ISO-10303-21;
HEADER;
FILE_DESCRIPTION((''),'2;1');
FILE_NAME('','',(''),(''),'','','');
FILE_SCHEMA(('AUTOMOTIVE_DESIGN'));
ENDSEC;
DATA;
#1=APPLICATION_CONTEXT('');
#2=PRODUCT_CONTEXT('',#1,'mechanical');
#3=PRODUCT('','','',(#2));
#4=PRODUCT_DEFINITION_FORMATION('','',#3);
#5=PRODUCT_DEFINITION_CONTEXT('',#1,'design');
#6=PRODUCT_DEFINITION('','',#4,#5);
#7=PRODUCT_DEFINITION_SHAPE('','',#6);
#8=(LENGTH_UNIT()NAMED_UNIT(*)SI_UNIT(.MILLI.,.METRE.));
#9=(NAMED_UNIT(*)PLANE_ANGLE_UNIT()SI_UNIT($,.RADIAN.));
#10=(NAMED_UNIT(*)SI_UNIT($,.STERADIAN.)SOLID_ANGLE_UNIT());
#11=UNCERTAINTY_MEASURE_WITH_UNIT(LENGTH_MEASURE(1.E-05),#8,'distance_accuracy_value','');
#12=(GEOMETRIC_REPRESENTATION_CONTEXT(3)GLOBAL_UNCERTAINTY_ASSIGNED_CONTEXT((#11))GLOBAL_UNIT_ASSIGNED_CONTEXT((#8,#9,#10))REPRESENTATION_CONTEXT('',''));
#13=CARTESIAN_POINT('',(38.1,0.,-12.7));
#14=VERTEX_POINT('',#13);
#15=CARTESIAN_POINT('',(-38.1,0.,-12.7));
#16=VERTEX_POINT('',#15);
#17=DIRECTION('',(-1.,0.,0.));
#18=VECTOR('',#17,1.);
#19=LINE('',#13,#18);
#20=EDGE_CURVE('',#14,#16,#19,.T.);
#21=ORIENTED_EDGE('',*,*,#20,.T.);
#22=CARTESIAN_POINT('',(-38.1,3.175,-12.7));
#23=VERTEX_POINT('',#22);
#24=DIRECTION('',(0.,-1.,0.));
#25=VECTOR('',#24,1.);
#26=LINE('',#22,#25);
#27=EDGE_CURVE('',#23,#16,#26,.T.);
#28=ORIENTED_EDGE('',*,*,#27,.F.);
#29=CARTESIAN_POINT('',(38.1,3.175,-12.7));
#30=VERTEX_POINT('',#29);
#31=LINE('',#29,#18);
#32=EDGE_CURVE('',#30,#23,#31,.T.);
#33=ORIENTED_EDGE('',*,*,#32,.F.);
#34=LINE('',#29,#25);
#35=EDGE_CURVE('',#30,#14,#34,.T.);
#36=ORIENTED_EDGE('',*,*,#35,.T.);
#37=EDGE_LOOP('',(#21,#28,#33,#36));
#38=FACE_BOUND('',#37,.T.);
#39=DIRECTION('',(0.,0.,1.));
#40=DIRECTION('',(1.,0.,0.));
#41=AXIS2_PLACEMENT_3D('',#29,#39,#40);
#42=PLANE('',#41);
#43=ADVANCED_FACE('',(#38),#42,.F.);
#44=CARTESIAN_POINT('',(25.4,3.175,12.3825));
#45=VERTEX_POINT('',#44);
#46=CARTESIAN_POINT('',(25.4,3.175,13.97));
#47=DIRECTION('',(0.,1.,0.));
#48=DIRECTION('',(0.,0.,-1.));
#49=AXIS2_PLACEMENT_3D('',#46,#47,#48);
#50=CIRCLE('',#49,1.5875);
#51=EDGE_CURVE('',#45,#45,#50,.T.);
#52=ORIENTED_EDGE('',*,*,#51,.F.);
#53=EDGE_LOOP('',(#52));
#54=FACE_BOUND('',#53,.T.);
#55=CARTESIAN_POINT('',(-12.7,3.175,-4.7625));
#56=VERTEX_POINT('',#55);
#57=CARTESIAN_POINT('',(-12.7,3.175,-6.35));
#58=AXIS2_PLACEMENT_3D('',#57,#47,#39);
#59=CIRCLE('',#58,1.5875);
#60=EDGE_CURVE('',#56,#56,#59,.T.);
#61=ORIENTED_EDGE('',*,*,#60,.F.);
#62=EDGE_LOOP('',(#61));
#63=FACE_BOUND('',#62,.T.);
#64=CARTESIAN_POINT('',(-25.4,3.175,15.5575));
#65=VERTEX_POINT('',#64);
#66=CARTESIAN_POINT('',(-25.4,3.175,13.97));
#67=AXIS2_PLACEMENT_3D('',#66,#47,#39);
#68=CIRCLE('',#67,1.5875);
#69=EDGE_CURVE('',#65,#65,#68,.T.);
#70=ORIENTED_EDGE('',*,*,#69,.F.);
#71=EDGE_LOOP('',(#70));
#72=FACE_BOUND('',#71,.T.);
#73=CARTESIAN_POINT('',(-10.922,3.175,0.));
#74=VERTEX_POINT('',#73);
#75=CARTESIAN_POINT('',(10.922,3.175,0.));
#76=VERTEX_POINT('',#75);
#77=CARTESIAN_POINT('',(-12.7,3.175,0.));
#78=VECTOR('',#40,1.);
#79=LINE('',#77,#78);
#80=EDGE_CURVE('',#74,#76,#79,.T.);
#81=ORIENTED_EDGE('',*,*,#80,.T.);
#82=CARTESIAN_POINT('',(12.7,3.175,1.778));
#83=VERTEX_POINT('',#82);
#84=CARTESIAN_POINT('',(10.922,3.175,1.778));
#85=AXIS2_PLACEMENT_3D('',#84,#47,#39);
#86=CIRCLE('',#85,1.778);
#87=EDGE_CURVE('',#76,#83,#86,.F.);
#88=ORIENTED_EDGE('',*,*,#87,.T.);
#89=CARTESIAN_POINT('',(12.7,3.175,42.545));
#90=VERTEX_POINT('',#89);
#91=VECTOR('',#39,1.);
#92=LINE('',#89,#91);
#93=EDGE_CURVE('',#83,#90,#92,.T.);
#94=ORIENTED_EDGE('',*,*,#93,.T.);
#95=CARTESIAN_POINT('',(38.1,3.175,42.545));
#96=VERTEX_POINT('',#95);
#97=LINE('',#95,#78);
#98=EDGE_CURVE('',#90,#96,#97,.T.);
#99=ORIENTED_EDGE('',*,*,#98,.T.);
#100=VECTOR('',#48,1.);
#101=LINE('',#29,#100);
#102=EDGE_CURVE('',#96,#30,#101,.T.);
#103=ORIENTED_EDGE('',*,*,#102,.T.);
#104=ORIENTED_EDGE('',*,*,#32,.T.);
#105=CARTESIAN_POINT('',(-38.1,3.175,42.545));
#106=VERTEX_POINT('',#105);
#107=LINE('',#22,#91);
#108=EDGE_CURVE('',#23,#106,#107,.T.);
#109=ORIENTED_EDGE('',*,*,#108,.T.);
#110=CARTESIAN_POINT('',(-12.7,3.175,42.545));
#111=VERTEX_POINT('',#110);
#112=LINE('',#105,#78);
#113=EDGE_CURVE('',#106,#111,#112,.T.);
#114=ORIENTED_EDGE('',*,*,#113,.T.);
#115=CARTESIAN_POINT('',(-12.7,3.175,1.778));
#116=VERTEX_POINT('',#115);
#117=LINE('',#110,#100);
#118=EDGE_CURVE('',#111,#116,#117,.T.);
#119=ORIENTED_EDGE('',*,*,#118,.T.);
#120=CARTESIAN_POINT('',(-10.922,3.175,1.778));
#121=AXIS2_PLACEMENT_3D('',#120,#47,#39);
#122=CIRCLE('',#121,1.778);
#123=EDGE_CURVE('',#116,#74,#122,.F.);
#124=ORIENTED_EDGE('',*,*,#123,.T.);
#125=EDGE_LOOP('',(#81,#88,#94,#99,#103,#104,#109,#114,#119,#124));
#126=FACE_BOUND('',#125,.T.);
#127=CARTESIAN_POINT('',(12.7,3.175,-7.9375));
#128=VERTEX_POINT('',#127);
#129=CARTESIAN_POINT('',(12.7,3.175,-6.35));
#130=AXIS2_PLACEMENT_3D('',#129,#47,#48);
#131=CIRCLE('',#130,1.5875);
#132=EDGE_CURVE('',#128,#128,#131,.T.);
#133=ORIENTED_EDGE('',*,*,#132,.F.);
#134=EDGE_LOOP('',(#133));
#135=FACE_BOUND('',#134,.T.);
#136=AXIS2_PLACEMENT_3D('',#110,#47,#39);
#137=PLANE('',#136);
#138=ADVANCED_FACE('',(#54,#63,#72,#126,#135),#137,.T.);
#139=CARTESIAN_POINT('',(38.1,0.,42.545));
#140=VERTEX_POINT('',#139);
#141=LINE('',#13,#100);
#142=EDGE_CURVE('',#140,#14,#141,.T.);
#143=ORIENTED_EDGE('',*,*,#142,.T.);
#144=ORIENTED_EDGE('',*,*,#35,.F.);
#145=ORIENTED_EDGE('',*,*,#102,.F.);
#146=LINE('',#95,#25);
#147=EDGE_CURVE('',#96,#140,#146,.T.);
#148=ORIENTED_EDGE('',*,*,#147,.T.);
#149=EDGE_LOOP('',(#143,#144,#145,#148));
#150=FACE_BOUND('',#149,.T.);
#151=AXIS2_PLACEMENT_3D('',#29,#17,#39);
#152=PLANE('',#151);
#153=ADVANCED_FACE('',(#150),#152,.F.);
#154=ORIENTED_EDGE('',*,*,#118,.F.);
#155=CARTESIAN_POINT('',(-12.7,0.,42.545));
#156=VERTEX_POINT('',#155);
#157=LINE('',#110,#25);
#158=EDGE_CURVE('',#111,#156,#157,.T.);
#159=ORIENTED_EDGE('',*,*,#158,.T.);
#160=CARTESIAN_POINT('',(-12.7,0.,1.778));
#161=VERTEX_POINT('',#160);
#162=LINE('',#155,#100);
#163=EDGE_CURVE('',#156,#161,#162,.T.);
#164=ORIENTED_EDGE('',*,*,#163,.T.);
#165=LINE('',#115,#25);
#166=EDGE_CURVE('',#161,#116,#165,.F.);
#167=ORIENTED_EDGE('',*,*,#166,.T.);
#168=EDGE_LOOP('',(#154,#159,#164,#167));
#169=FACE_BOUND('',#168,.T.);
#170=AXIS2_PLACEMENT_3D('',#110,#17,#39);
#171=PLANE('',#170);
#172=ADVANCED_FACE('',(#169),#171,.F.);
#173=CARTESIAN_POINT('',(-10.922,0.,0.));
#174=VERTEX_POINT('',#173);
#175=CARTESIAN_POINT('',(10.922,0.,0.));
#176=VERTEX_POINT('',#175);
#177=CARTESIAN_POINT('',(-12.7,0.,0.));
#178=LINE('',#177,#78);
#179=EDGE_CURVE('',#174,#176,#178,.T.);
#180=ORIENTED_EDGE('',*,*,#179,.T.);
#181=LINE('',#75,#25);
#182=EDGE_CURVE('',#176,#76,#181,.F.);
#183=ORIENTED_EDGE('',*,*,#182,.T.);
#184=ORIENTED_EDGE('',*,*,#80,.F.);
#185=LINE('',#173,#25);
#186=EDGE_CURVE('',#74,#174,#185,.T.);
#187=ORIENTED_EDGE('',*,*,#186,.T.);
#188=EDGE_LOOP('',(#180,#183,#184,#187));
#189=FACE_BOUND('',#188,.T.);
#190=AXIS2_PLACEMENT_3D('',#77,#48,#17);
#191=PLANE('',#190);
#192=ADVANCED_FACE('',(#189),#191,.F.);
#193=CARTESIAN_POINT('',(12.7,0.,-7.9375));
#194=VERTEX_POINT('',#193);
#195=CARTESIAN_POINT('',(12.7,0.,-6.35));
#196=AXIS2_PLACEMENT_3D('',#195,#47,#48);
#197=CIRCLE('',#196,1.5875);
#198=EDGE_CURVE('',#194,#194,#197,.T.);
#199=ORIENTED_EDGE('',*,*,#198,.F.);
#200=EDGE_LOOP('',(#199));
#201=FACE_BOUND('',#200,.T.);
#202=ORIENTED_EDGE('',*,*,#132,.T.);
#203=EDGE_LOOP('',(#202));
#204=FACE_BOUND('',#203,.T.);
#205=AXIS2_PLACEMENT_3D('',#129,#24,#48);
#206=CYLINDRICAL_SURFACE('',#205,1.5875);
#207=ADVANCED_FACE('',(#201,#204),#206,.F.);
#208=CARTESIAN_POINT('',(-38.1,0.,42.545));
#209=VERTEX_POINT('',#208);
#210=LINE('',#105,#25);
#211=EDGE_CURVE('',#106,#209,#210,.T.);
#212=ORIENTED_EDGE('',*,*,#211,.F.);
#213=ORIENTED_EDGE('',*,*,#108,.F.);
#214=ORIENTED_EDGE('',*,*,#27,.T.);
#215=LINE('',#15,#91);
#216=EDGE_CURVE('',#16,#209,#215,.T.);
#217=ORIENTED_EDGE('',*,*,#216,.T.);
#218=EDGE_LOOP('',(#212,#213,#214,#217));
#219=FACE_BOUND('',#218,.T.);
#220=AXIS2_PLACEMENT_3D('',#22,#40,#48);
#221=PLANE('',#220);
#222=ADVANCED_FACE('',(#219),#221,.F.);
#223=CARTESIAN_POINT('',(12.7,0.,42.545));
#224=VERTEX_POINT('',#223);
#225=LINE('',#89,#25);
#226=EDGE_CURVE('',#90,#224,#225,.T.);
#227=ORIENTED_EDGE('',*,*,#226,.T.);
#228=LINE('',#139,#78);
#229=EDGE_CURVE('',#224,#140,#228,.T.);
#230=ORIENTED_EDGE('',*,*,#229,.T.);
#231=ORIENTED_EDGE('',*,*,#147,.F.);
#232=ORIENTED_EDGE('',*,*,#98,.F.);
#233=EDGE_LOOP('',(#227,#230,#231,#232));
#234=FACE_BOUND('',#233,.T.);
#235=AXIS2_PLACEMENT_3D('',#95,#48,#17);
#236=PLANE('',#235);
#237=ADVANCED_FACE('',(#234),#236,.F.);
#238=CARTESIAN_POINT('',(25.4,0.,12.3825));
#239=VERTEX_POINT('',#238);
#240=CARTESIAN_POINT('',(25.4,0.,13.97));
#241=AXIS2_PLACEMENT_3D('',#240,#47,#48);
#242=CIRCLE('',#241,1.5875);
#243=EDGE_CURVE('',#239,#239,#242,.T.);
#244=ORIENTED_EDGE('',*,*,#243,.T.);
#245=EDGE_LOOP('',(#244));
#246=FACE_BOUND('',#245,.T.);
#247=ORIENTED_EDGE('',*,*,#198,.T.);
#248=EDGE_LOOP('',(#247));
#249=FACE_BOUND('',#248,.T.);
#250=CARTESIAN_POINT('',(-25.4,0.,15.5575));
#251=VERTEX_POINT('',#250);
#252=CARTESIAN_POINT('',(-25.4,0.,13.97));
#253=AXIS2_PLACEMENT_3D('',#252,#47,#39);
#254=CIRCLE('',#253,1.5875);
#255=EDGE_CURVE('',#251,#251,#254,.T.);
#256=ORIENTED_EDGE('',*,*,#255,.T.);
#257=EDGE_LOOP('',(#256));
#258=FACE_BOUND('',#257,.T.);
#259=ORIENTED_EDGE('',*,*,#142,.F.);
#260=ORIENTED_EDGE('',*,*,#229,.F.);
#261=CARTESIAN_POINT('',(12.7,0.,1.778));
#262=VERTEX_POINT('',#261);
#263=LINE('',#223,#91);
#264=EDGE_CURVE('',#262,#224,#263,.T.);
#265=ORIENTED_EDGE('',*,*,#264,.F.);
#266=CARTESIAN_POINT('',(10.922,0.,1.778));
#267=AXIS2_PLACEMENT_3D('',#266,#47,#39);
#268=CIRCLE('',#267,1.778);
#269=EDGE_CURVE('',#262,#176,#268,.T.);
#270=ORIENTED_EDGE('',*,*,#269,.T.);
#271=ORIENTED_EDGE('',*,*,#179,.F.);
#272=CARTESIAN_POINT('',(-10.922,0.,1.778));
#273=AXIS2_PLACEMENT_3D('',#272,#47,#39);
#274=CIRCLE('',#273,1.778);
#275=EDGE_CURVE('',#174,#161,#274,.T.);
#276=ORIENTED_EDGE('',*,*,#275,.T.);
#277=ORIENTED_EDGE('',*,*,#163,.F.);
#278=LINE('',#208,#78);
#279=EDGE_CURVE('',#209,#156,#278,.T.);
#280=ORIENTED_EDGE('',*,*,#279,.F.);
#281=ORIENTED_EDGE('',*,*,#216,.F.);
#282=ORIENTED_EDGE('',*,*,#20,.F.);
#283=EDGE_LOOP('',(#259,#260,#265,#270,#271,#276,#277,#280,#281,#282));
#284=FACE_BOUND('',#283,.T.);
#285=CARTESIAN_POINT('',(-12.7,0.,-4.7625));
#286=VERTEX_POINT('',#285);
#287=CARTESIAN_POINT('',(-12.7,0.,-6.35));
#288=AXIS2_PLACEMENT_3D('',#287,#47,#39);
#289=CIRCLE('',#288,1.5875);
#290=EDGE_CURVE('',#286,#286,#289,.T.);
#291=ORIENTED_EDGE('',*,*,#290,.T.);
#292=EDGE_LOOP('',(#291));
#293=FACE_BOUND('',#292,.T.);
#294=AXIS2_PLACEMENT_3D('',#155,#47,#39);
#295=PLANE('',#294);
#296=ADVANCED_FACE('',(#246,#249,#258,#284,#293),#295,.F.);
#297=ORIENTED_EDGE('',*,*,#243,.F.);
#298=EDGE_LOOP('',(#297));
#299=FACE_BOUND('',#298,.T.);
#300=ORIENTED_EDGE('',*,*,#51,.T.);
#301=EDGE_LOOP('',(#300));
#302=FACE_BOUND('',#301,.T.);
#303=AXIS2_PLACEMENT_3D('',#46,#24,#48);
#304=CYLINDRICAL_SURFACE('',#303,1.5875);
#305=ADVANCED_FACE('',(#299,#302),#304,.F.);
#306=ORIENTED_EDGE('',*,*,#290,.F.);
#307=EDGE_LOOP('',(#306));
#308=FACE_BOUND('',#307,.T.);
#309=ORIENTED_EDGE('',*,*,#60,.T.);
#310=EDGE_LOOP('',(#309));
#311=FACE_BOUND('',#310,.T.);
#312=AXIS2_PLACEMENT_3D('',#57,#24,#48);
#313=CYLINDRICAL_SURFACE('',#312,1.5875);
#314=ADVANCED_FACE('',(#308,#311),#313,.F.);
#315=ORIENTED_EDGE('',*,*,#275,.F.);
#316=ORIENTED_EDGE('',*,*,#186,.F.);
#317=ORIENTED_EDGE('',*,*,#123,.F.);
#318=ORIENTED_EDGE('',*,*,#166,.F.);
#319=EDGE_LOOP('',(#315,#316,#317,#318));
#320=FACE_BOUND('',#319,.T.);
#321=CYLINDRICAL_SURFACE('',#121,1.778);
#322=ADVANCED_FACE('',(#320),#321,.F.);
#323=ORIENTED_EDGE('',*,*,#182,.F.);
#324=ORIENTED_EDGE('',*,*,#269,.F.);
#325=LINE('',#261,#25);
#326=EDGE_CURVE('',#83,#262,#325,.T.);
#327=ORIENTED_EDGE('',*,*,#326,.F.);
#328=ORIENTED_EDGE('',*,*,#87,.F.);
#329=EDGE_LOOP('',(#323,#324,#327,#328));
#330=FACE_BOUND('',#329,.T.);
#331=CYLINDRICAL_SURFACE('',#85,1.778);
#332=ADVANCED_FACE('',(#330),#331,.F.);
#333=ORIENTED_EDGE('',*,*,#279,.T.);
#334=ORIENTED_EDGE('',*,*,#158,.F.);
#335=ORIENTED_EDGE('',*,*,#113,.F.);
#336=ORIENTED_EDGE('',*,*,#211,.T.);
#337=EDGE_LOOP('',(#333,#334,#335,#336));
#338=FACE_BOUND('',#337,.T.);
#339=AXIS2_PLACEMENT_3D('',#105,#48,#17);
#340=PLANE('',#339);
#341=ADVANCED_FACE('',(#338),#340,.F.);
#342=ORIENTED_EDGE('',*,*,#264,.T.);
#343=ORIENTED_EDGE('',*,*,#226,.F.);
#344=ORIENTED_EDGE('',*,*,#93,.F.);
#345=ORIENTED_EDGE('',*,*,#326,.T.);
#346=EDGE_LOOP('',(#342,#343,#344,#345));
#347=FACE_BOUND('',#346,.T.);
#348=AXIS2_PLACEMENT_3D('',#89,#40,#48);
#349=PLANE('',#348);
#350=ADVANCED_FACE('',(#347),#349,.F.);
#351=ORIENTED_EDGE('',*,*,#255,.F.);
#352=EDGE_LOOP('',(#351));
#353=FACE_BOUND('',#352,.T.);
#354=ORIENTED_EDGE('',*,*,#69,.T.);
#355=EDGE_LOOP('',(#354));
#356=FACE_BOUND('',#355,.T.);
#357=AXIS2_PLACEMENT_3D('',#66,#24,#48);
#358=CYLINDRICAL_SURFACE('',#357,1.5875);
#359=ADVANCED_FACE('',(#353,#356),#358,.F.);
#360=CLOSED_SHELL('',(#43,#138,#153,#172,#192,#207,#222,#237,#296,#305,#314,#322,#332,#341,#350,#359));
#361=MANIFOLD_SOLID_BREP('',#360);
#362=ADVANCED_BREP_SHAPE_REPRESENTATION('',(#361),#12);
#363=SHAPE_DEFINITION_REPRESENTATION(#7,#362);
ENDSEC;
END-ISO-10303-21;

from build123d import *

# Parameters (mm, degrees)
SKETCH1_R           = 1.5875
BOSS_EXTRUDE1_DEPTH = 3.175
FILLET1_R           = 1.778


with BuildPart() as part:
    # Sketch1 → Boss-Extrude1 (new body)
    with BuildSketch(Plane(origin=(0, 0, 0), x_dir=(1, 0, 0), z_dir=(0, 1, 0))):
        Polygon((38.1, 12.7), (-38.1, 12.7), (-38.1, -42.545), (-12.7, -42.545), (-12.7, 0), (12.7, 0), (12.7, -42.545), (38.1, -42.545), align=None)
        with Locations(Location((-25.4, -13.97, 0), (0, 0, 270))):
            Circle(SKETCH1_R, mode=Mode.SUBTRACT)
        with Locations(Location((25.4, -13.97, 0), (0, 0, 90))):
            Circle(SKETCH1_R, mode=Mode.SUBTRACT)
        with Locations(Location((-12.7, 6.35, 0), (0, 0, 270))):
            Circle(SKETCH1_R, mode=Mode.SUBTRACT)
        with Locations(Location((12.7, 6.35, 0), (0, 0, 90))):
            Circle(SKETCH1_R, mode=Mode.SUBTRACT)
    extrude(amount=BOSS_EXTRUDE1_DEPTH)

    # Fillet1
    fillet1_edges = [part.edges().sort_by_distance(p)[0] for p in [
        (12.7, 1.5875, 0),
        (-12.7, 1.5875, 0),
    ]]
    fillet(fillet1_edges, radius=FILLET1_R)


solid = part.part
